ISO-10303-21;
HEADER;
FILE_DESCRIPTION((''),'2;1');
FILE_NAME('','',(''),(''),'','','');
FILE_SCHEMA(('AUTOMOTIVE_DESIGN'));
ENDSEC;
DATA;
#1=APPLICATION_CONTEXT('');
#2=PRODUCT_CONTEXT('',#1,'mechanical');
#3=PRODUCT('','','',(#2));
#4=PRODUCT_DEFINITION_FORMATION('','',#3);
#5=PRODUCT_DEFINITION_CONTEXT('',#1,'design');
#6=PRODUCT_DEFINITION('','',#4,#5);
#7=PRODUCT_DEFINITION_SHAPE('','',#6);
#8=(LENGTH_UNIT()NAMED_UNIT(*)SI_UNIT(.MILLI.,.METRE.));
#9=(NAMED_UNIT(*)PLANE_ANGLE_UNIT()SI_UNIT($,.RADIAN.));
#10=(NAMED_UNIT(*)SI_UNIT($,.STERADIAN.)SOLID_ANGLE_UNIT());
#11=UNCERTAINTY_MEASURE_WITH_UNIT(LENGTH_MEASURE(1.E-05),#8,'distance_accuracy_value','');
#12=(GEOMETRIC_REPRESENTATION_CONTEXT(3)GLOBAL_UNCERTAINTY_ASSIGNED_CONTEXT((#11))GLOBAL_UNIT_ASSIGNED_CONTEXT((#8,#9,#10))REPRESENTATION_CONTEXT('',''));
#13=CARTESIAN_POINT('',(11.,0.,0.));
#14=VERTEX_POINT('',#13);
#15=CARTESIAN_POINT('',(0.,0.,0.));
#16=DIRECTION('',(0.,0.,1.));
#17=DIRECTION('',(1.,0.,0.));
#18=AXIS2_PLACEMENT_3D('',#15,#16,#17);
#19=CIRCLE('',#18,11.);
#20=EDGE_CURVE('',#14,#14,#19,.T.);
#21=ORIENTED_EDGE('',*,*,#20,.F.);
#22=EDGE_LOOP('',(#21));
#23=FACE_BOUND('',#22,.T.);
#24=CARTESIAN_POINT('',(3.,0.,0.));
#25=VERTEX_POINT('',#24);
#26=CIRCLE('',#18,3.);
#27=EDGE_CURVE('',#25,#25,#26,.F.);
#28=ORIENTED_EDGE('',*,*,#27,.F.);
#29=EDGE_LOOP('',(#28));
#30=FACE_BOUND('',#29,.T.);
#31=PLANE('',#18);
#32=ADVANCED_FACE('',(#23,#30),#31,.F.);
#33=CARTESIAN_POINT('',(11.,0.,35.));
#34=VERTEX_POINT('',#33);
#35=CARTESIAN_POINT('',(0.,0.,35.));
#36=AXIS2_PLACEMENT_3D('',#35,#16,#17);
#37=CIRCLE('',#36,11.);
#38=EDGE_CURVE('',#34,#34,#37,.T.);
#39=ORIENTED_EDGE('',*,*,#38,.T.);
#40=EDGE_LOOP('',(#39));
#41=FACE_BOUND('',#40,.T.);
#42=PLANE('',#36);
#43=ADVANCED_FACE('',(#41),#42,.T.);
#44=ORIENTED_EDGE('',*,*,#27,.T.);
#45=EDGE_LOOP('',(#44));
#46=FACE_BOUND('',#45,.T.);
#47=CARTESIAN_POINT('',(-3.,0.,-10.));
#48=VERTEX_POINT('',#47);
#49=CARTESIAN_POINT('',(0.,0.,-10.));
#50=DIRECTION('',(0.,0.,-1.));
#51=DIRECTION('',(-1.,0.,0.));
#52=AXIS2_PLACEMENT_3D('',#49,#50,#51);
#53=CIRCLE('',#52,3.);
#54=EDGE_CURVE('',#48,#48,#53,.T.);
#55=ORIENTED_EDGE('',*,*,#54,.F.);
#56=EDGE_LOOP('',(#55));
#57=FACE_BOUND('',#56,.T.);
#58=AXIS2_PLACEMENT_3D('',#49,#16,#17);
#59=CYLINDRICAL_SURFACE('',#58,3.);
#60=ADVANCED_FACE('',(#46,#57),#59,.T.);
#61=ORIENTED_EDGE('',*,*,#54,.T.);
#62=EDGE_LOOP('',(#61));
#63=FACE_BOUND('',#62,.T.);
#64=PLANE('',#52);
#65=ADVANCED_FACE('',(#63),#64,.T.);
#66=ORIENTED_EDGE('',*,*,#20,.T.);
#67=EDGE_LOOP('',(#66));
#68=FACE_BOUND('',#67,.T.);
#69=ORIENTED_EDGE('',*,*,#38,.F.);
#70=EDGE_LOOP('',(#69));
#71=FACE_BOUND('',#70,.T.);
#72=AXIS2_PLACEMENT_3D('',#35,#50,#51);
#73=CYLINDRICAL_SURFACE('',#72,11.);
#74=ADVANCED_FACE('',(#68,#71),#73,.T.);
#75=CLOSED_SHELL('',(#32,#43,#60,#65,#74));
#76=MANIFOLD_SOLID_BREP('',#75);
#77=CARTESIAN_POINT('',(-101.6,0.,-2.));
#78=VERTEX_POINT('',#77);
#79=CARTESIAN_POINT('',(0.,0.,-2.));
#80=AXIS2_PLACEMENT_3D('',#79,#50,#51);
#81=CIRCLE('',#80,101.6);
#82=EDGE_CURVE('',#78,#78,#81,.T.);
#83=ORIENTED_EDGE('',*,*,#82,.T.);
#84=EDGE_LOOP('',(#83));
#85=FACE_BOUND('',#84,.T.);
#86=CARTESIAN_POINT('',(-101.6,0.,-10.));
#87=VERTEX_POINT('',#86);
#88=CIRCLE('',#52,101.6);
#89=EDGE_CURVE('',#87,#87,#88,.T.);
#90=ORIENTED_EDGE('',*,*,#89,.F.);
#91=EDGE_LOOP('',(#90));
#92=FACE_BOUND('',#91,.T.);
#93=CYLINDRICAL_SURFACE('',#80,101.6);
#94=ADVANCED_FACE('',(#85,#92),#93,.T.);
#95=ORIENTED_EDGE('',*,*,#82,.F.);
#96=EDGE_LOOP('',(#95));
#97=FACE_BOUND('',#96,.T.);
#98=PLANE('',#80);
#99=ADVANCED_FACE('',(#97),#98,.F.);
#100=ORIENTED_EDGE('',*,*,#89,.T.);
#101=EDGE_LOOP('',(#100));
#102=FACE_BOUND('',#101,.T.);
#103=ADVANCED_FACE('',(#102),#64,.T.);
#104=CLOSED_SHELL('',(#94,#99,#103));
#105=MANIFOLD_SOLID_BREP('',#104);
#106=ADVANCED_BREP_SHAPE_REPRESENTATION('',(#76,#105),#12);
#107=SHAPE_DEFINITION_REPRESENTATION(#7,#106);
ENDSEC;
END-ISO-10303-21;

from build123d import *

# Parameters (mm, degrees)
SKETCH_1_R      = 11
EXTRUDE_1_DEPTH = 35
SKETCH_2_R      = 3
EXTRUDE_2_DEPTH = 10
SKETCH_3_R      = 101.6
EXTRUDE_3_DEPTH = 8


with BuildPart() as part:
    # 草图1 → 拉伸1 (new body)
    with BuildSketch(Plane.XY):
        Circle(SKETCH_1_R)
    extrude(amount=EXTRUDE_1_DEPTH)

    # 草图2 → 拉伸2 (add)
    with BuildSketch(Plane(origin=(0, 0, 0), x_dir=(-1, 0, 0), z_dir=(0, 0, -1))):
        with Locations(Location((0, 0, 0), (0, 0, 180))):
            Circle(SKETCH_2_R)
    extrude(amount=EXTRUDE_2_DEPTH)


with BuildPart() as body_2:
    # 草图3 → 拉伸3 (new body)
    with BuildSketch(Plane(origin=(0, 0, -10), x_dir=(-1, 0, 0), z_dir=(0, 0, -1))):
        Circle(SKETCH_3_R)
    extrude(amount=-EXTRUDE_3_DEPTH)


solid = Compound([part.part, body_2.part])
